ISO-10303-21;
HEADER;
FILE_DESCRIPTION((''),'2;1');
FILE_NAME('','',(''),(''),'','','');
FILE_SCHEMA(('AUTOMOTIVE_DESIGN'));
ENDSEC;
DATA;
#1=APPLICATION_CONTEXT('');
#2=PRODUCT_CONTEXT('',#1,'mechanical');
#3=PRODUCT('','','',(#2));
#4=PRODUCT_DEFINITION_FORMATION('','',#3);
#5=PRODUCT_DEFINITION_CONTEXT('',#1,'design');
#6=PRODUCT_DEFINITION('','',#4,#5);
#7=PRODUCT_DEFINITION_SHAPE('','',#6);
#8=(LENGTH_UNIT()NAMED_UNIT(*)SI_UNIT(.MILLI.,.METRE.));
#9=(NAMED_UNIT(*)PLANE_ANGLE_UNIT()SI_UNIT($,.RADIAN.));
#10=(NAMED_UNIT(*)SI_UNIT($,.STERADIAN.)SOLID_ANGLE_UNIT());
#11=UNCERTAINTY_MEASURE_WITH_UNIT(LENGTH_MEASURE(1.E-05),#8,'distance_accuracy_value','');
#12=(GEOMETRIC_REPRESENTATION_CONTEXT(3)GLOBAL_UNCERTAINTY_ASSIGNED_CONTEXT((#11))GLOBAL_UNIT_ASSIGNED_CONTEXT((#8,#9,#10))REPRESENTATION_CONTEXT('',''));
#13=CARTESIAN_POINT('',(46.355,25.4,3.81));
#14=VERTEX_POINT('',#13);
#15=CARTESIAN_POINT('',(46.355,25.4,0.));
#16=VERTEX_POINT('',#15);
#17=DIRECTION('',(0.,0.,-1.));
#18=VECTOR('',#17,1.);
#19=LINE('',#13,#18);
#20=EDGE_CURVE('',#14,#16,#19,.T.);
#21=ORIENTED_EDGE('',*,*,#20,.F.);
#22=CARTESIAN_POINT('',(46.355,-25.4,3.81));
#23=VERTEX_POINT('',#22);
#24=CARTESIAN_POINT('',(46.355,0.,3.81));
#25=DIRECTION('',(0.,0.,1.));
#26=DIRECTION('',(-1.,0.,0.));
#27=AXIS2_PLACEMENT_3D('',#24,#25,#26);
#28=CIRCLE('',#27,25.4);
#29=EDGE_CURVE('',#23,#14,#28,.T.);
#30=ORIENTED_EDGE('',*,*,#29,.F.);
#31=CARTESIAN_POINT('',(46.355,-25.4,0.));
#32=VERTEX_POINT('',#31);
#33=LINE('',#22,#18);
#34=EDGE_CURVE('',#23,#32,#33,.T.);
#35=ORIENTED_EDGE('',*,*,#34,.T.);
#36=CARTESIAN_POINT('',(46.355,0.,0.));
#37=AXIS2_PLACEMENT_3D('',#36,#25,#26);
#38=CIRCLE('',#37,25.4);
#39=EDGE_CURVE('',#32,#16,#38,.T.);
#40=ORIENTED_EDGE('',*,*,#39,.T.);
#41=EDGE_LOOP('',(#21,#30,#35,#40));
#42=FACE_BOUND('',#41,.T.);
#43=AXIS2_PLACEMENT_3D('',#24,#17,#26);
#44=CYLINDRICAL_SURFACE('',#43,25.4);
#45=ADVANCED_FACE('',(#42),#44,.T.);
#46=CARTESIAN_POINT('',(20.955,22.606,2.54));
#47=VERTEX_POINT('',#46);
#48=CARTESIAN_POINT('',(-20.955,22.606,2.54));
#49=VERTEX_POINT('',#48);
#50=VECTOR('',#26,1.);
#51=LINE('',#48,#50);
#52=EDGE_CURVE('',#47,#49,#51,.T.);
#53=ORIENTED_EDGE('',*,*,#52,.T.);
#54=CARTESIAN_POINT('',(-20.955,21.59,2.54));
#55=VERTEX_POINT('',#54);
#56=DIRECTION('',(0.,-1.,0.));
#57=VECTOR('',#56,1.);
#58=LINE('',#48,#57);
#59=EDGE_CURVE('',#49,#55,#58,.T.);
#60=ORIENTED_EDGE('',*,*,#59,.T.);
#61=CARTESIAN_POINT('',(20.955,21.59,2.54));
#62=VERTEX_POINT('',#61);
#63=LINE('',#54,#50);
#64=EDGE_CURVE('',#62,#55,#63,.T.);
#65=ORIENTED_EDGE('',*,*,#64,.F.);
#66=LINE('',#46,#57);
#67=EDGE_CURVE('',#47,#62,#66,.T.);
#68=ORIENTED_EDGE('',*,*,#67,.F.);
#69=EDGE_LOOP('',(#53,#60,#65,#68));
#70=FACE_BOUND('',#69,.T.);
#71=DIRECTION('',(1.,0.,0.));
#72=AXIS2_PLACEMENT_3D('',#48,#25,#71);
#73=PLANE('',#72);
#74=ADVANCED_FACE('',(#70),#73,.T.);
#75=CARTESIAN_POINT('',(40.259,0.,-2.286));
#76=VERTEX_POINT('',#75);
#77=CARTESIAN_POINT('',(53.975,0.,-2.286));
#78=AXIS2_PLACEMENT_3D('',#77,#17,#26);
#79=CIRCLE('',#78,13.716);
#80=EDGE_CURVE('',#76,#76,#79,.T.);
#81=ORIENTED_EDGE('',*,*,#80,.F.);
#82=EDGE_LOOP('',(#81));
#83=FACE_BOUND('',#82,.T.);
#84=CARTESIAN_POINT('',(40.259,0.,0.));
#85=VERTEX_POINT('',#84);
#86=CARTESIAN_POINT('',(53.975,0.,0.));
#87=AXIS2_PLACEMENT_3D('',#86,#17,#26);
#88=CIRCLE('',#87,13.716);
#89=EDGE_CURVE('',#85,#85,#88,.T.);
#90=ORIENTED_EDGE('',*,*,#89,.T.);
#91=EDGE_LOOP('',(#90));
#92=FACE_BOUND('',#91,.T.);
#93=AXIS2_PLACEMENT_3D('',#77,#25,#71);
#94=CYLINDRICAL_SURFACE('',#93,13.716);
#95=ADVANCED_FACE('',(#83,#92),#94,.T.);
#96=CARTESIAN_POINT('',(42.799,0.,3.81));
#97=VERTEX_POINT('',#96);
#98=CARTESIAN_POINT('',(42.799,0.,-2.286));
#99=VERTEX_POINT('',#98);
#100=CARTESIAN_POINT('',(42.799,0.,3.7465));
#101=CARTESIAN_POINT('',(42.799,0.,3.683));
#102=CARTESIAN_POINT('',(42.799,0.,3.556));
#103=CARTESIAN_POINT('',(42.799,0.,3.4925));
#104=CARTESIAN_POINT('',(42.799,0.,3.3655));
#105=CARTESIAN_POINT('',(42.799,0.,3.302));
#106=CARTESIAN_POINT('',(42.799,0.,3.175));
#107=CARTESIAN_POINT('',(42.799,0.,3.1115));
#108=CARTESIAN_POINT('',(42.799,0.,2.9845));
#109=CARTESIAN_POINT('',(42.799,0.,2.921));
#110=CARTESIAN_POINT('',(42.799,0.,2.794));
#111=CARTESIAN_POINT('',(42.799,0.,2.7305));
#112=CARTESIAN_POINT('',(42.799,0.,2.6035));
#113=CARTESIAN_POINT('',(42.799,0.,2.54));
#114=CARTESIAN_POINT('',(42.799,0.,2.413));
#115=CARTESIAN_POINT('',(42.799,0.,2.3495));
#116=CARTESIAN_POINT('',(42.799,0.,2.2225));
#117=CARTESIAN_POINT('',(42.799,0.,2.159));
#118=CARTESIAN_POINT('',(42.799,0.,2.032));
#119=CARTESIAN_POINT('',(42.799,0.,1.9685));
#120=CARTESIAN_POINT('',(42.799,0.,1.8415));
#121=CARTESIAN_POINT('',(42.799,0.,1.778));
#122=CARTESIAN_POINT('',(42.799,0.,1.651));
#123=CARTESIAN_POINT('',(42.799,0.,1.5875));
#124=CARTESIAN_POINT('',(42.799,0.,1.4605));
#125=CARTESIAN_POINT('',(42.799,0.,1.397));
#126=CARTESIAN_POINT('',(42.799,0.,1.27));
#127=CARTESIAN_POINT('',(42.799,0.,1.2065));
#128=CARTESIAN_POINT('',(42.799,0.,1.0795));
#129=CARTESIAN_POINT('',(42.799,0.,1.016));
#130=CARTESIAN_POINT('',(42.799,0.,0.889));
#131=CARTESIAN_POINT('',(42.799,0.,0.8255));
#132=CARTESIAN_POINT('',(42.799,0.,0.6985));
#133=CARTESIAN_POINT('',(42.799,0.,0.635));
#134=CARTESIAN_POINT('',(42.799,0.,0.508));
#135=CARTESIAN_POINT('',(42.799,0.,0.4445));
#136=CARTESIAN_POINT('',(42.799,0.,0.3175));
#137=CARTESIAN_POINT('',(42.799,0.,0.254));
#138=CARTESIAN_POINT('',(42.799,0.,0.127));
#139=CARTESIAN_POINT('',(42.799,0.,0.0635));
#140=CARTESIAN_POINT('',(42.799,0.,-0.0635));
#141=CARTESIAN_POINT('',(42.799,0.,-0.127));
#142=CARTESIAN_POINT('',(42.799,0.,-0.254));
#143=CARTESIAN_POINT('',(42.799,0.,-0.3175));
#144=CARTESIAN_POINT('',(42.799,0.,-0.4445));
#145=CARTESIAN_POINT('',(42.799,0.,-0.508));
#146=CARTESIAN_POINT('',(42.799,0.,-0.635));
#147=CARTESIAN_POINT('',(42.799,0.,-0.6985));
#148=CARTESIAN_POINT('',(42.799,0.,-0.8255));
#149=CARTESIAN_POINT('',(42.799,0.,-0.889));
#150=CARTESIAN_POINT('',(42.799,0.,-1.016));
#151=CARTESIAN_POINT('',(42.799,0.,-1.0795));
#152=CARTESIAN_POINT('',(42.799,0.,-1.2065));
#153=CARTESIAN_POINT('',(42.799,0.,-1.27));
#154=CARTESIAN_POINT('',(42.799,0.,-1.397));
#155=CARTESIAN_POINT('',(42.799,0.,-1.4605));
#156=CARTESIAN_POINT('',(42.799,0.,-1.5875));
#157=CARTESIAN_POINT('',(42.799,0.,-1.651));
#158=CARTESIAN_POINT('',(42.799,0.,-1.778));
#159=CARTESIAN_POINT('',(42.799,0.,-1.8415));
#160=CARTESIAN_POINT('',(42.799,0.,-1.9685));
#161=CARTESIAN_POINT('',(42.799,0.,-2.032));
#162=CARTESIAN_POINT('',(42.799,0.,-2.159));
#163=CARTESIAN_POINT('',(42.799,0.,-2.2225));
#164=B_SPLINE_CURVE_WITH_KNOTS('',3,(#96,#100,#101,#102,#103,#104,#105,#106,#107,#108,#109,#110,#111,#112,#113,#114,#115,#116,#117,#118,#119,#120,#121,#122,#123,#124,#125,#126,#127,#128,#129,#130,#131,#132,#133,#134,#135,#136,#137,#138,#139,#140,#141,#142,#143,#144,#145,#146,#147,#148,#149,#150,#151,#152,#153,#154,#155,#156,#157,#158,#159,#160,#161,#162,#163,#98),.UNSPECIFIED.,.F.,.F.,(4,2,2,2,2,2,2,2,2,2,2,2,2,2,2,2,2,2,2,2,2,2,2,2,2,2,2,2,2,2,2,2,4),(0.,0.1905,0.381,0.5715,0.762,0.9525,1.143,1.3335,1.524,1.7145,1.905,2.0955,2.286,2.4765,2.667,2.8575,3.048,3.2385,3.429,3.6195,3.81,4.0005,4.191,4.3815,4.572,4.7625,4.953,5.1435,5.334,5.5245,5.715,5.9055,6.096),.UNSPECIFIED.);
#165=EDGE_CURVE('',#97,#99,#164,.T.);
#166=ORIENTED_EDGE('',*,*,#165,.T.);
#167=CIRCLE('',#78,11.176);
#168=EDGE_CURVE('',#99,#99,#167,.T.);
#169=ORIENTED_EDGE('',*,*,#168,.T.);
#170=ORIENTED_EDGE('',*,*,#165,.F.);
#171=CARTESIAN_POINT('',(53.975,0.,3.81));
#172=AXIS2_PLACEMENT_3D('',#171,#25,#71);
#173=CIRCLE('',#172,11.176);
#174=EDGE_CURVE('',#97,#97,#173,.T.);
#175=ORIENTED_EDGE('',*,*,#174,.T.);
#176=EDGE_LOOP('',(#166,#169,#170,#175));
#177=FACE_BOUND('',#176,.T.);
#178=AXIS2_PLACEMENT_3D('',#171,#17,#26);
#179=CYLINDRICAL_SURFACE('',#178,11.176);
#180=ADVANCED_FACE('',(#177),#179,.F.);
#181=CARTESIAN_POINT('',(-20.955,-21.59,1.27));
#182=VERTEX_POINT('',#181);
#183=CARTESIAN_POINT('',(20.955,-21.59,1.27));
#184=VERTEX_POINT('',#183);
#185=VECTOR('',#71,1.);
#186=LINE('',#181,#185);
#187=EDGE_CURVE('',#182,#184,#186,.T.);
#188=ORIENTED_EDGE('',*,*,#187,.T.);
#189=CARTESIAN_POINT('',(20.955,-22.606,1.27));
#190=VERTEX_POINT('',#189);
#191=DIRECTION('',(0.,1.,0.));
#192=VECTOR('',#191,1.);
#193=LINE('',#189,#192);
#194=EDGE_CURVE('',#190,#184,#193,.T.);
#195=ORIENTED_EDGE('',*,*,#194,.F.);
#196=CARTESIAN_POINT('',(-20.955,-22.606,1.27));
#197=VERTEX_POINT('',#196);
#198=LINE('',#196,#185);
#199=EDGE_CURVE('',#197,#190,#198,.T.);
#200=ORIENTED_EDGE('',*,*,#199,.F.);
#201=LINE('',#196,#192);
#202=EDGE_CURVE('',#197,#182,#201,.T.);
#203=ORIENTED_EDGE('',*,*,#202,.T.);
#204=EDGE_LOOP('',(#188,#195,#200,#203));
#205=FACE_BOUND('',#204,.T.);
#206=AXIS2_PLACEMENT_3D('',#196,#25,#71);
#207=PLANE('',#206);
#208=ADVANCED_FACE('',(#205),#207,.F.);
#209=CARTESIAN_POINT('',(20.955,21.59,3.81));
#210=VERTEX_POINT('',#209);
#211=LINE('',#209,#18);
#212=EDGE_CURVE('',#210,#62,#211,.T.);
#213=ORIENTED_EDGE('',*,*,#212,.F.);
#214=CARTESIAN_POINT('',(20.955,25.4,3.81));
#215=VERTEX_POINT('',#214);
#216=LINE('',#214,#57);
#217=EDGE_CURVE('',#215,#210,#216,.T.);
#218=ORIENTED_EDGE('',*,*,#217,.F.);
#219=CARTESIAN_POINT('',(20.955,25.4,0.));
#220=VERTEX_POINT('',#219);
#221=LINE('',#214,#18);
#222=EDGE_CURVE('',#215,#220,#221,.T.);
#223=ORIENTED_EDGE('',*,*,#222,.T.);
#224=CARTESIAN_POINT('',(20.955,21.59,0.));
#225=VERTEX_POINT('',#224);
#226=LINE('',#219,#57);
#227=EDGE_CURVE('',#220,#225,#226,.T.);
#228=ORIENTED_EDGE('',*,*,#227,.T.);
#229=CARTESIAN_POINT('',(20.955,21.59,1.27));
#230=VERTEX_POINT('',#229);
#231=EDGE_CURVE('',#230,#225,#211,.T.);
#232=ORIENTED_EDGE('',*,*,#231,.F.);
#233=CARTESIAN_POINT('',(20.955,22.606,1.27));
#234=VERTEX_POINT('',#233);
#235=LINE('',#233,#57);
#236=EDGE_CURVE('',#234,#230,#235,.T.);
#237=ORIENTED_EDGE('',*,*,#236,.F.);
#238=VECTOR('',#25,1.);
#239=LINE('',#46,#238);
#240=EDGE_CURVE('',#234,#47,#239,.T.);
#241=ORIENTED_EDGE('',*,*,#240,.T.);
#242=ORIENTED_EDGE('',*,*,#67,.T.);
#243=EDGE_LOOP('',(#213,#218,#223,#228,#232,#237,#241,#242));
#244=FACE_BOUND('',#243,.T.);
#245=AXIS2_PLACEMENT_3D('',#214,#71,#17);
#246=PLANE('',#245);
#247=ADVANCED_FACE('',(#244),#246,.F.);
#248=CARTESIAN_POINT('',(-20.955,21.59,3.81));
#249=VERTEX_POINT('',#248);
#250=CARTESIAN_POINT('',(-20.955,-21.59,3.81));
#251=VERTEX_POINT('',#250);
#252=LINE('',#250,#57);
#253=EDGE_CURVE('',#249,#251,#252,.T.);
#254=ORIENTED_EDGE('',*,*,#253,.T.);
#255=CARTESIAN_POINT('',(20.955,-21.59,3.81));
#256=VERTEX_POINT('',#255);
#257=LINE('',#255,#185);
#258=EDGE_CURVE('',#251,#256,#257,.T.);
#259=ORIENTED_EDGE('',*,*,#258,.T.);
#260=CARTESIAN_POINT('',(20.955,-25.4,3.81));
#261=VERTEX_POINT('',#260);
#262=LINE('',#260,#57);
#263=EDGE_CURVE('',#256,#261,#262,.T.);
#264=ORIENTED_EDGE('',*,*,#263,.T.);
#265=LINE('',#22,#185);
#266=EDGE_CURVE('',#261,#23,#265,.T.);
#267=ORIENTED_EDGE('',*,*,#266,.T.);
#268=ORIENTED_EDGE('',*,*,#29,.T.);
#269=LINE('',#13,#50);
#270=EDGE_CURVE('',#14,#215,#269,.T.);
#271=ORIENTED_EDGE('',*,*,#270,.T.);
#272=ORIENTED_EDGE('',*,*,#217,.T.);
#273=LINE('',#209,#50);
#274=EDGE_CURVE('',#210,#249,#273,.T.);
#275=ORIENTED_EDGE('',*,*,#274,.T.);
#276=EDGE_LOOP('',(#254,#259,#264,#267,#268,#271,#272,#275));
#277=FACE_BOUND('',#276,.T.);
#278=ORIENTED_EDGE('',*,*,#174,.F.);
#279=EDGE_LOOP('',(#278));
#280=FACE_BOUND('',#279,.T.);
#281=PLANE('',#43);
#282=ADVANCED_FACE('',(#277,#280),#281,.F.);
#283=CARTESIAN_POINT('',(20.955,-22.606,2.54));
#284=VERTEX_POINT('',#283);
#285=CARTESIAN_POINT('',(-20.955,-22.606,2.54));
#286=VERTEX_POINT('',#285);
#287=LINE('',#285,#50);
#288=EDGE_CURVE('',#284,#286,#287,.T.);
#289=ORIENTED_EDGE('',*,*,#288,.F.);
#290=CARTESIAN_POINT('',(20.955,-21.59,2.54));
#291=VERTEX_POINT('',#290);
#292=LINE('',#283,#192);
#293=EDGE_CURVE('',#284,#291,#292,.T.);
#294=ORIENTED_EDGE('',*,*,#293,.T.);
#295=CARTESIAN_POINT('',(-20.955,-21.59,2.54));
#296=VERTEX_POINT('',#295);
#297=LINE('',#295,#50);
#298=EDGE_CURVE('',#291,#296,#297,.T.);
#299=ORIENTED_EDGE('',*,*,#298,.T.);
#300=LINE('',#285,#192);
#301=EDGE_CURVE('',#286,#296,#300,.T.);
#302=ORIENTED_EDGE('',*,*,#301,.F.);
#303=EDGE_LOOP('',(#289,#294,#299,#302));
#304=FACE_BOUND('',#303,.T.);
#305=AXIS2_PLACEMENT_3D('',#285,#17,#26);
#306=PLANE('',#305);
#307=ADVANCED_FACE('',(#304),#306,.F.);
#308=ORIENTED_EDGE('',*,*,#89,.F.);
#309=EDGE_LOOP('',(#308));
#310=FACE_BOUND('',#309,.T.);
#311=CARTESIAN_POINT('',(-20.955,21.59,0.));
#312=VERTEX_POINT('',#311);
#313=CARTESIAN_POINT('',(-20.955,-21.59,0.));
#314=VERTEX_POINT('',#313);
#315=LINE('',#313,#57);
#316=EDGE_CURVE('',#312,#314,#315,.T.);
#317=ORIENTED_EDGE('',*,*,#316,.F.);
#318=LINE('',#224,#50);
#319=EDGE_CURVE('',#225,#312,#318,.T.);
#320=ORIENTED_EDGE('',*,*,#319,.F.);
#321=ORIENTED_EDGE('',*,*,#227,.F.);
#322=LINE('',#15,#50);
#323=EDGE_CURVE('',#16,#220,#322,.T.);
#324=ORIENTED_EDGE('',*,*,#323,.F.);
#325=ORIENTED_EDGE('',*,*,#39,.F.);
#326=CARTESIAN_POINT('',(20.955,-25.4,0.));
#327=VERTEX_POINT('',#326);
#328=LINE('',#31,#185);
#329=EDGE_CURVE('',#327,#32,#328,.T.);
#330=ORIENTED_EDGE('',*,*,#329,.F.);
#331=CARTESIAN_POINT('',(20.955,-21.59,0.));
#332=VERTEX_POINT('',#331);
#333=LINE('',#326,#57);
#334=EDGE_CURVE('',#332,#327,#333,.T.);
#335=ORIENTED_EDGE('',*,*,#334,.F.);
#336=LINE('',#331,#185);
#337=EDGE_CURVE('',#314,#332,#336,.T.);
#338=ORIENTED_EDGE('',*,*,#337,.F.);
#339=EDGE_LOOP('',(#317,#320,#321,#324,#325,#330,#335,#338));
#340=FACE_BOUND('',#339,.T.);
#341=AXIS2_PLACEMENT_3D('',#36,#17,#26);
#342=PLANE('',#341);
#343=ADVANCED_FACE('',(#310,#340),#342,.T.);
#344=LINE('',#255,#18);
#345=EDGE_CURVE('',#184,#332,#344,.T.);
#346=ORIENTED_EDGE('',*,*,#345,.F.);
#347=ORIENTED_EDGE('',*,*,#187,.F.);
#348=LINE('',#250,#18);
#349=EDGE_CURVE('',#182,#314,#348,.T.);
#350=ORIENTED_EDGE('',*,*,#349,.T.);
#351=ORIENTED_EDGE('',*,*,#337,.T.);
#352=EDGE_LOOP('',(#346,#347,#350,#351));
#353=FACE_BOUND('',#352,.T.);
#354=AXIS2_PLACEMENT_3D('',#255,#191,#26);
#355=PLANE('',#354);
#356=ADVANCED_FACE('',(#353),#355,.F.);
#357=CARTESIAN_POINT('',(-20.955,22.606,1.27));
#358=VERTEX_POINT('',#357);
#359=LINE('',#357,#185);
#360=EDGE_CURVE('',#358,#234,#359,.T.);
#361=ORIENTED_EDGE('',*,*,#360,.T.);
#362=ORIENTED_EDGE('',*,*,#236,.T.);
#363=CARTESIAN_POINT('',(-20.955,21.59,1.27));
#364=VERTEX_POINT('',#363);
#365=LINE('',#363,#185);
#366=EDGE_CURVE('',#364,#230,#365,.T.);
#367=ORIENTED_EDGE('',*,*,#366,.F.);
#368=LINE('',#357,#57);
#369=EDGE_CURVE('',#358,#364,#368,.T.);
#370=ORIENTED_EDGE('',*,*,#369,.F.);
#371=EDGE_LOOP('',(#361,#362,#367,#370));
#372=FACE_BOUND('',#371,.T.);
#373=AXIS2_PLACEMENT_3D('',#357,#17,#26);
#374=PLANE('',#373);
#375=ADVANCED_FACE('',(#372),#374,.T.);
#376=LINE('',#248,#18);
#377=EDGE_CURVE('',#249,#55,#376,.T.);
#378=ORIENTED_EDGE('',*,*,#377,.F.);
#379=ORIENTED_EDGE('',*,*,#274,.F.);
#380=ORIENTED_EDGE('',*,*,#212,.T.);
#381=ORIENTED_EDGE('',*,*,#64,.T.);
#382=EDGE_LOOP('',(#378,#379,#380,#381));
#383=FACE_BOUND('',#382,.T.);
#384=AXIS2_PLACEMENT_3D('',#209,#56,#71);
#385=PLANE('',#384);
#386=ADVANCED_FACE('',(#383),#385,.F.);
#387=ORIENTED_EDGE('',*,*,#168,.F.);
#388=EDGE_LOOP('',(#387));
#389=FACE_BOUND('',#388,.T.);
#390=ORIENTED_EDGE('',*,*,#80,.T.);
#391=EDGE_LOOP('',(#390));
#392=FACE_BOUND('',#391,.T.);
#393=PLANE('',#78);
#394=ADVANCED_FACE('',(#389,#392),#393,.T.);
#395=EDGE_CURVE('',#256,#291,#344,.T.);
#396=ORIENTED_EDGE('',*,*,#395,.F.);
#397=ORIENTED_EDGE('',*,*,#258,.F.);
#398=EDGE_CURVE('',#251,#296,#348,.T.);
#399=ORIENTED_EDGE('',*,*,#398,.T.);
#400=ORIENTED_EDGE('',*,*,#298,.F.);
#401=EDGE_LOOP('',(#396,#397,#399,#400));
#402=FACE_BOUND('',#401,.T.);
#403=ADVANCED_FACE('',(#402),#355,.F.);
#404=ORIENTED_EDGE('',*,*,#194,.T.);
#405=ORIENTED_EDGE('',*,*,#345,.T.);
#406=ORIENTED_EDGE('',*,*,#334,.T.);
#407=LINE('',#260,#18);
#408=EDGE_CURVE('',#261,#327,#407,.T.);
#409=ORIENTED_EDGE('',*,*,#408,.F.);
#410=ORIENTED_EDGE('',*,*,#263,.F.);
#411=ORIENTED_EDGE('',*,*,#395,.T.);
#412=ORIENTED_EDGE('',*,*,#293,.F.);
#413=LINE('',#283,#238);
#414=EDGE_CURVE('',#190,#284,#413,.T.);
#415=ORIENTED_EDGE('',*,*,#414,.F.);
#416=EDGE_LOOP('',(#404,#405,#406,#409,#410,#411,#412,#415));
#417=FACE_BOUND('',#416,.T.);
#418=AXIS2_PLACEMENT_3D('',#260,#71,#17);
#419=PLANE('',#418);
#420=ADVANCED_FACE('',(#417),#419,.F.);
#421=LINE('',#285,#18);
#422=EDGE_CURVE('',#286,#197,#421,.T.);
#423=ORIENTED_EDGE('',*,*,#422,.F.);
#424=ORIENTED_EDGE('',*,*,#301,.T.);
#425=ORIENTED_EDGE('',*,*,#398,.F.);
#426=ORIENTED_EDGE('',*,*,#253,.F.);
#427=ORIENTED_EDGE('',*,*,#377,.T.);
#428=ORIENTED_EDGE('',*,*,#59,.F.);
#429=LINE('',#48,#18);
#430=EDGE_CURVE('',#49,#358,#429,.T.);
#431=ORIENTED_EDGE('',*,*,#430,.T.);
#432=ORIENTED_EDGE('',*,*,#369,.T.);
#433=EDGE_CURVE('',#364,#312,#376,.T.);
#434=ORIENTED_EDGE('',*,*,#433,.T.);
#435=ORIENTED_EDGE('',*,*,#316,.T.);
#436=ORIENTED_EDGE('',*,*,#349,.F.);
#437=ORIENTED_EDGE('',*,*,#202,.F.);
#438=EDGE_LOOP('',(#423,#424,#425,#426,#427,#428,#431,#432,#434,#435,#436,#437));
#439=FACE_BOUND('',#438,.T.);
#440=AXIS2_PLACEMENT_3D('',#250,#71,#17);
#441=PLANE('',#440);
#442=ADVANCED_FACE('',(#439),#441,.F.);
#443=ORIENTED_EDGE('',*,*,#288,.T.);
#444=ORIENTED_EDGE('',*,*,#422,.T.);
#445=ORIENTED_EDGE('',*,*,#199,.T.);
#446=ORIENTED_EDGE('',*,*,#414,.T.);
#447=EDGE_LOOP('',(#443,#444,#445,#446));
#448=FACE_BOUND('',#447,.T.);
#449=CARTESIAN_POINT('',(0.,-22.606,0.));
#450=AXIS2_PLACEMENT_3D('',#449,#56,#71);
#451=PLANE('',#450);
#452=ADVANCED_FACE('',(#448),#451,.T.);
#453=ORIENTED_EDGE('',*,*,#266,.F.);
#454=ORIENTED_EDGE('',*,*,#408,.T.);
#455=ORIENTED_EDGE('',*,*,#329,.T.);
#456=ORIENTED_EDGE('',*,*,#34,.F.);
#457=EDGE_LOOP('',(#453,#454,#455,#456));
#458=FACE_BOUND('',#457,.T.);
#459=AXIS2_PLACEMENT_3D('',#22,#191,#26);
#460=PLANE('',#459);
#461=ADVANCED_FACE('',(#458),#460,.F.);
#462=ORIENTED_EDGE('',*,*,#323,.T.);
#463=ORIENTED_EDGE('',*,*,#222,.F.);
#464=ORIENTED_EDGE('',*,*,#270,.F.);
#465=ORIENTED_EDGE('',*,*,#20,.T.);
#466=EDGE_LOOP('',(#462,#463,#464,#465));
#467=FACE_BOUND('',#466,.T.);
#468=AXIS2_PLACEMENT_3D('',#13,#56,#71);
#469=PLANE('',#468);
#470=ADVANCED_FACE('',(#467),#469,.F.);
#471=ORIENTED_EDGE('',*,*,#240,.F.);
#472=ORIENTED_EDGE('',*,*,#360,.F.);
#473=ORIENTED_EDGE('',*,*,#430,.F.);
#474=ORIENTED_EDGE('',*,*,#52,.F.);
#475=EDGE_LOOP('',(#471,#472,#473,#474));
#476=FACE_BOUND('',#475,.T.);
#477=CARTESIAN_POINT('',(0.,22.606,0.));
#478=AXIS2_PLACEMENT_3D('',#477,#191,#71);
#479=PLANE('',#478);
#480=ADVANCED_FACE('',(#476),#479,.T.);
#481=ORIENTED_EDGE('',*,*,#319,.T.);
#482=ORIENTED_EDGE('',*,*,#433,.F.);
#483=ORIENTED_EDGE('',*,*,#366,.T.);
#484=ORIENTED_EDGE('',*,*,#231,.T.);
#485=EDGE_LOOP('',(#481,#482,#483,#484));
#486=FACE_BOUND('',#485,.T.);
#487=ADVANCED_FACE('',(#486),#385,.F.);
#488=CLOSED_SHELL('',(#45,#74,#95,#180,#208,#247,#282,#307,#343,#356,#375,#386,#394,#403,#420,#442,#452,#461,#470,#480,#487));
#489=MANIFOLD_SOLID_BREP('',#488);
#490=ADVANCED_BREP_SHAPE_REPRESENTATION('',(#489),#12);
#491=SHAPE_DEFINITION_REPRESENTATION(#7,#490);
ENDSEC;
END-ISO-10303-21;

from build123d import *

# Parameters (mm, degrees)
SKETCH1_R           = 11.176
BOSS_EXTRUDE1_DEPTH = 3.81
SKETCH2_W           = 41.91
SKETCH2_H           = 1.27
BOSS_EXTRUDE2_DEPTH = 1.016
BOSS_EXTRUDE4_START = 2.286
SKETCH4_R           = 13.716
SKETCH4_R_2         = 11.176
BOSS_EXTRUDE4_DEPTH = 2.286


with BuildPart() as part:
    # Sketch1 → Boss-Extrude1 (new body)
    with BuildSketch(Plane.XY):
        with BuildLine():
            Line((20.955, -25.4), (20.955, -21.59))
            Line((20.955, -21.59), (-20.955, -21.59))
            Line((-20.955, -21.59), (-20.955, 21.59))
            Line((-20.955, 21.59), (20.955, 21.59))
            Line((20.955, 21.59), (20.955, 25.4))
            Line((20.955, 25.4), (46.355, 25.4))
            ThreePointArc((46.355, 25.4), (71.755, 0), (46.355, -25.4))
            Line((46.355, -25.4), (20.955, -25.4))
        make_face()
        with Locations(Location((53.975, 0, 0), (0, 0, 180))):
            Circle(SKETCH1_R, mode=Mode.SUBTRACT)
    extrude(amount=BOSS_EXTRUDE1_DEPTH)

    # Sketch2 → Boss-Extrude2 (add)
    with BuildSketch(Plane.XZ.offset(21.59)):
        with Locations((0, 1.905)):
            Rectangle(SKETCH2_W, SKETCH2_H)
    boss_extrude2 = extrude(amount=BOSS_EXTRUDE2_DEPTH)

    # Mirror1: Boss-Extrude2 across plane
    add(boss_extrude2.mirror(Plane.ZX))

    # Sketch4 → Boss-Extrude4 (add)
    with BuildSketch(Plane(origin=(0, 0, 0), x_dir=(-1, 0, 0), z_dir=(0, 0, -1)).offset(BOSS_EXTRUDE4_START)):
        with Locations((-53.975, 0)):
            Circle(SKETCH4_R)
        with Locations((-53.975, 0)):
            Circle(SKETCH4_R_2, mode=Mode.SUBTRACT)
    extrude(amount=-BOSS_EXTRUDE4_DEPTH)


solid = part.part
